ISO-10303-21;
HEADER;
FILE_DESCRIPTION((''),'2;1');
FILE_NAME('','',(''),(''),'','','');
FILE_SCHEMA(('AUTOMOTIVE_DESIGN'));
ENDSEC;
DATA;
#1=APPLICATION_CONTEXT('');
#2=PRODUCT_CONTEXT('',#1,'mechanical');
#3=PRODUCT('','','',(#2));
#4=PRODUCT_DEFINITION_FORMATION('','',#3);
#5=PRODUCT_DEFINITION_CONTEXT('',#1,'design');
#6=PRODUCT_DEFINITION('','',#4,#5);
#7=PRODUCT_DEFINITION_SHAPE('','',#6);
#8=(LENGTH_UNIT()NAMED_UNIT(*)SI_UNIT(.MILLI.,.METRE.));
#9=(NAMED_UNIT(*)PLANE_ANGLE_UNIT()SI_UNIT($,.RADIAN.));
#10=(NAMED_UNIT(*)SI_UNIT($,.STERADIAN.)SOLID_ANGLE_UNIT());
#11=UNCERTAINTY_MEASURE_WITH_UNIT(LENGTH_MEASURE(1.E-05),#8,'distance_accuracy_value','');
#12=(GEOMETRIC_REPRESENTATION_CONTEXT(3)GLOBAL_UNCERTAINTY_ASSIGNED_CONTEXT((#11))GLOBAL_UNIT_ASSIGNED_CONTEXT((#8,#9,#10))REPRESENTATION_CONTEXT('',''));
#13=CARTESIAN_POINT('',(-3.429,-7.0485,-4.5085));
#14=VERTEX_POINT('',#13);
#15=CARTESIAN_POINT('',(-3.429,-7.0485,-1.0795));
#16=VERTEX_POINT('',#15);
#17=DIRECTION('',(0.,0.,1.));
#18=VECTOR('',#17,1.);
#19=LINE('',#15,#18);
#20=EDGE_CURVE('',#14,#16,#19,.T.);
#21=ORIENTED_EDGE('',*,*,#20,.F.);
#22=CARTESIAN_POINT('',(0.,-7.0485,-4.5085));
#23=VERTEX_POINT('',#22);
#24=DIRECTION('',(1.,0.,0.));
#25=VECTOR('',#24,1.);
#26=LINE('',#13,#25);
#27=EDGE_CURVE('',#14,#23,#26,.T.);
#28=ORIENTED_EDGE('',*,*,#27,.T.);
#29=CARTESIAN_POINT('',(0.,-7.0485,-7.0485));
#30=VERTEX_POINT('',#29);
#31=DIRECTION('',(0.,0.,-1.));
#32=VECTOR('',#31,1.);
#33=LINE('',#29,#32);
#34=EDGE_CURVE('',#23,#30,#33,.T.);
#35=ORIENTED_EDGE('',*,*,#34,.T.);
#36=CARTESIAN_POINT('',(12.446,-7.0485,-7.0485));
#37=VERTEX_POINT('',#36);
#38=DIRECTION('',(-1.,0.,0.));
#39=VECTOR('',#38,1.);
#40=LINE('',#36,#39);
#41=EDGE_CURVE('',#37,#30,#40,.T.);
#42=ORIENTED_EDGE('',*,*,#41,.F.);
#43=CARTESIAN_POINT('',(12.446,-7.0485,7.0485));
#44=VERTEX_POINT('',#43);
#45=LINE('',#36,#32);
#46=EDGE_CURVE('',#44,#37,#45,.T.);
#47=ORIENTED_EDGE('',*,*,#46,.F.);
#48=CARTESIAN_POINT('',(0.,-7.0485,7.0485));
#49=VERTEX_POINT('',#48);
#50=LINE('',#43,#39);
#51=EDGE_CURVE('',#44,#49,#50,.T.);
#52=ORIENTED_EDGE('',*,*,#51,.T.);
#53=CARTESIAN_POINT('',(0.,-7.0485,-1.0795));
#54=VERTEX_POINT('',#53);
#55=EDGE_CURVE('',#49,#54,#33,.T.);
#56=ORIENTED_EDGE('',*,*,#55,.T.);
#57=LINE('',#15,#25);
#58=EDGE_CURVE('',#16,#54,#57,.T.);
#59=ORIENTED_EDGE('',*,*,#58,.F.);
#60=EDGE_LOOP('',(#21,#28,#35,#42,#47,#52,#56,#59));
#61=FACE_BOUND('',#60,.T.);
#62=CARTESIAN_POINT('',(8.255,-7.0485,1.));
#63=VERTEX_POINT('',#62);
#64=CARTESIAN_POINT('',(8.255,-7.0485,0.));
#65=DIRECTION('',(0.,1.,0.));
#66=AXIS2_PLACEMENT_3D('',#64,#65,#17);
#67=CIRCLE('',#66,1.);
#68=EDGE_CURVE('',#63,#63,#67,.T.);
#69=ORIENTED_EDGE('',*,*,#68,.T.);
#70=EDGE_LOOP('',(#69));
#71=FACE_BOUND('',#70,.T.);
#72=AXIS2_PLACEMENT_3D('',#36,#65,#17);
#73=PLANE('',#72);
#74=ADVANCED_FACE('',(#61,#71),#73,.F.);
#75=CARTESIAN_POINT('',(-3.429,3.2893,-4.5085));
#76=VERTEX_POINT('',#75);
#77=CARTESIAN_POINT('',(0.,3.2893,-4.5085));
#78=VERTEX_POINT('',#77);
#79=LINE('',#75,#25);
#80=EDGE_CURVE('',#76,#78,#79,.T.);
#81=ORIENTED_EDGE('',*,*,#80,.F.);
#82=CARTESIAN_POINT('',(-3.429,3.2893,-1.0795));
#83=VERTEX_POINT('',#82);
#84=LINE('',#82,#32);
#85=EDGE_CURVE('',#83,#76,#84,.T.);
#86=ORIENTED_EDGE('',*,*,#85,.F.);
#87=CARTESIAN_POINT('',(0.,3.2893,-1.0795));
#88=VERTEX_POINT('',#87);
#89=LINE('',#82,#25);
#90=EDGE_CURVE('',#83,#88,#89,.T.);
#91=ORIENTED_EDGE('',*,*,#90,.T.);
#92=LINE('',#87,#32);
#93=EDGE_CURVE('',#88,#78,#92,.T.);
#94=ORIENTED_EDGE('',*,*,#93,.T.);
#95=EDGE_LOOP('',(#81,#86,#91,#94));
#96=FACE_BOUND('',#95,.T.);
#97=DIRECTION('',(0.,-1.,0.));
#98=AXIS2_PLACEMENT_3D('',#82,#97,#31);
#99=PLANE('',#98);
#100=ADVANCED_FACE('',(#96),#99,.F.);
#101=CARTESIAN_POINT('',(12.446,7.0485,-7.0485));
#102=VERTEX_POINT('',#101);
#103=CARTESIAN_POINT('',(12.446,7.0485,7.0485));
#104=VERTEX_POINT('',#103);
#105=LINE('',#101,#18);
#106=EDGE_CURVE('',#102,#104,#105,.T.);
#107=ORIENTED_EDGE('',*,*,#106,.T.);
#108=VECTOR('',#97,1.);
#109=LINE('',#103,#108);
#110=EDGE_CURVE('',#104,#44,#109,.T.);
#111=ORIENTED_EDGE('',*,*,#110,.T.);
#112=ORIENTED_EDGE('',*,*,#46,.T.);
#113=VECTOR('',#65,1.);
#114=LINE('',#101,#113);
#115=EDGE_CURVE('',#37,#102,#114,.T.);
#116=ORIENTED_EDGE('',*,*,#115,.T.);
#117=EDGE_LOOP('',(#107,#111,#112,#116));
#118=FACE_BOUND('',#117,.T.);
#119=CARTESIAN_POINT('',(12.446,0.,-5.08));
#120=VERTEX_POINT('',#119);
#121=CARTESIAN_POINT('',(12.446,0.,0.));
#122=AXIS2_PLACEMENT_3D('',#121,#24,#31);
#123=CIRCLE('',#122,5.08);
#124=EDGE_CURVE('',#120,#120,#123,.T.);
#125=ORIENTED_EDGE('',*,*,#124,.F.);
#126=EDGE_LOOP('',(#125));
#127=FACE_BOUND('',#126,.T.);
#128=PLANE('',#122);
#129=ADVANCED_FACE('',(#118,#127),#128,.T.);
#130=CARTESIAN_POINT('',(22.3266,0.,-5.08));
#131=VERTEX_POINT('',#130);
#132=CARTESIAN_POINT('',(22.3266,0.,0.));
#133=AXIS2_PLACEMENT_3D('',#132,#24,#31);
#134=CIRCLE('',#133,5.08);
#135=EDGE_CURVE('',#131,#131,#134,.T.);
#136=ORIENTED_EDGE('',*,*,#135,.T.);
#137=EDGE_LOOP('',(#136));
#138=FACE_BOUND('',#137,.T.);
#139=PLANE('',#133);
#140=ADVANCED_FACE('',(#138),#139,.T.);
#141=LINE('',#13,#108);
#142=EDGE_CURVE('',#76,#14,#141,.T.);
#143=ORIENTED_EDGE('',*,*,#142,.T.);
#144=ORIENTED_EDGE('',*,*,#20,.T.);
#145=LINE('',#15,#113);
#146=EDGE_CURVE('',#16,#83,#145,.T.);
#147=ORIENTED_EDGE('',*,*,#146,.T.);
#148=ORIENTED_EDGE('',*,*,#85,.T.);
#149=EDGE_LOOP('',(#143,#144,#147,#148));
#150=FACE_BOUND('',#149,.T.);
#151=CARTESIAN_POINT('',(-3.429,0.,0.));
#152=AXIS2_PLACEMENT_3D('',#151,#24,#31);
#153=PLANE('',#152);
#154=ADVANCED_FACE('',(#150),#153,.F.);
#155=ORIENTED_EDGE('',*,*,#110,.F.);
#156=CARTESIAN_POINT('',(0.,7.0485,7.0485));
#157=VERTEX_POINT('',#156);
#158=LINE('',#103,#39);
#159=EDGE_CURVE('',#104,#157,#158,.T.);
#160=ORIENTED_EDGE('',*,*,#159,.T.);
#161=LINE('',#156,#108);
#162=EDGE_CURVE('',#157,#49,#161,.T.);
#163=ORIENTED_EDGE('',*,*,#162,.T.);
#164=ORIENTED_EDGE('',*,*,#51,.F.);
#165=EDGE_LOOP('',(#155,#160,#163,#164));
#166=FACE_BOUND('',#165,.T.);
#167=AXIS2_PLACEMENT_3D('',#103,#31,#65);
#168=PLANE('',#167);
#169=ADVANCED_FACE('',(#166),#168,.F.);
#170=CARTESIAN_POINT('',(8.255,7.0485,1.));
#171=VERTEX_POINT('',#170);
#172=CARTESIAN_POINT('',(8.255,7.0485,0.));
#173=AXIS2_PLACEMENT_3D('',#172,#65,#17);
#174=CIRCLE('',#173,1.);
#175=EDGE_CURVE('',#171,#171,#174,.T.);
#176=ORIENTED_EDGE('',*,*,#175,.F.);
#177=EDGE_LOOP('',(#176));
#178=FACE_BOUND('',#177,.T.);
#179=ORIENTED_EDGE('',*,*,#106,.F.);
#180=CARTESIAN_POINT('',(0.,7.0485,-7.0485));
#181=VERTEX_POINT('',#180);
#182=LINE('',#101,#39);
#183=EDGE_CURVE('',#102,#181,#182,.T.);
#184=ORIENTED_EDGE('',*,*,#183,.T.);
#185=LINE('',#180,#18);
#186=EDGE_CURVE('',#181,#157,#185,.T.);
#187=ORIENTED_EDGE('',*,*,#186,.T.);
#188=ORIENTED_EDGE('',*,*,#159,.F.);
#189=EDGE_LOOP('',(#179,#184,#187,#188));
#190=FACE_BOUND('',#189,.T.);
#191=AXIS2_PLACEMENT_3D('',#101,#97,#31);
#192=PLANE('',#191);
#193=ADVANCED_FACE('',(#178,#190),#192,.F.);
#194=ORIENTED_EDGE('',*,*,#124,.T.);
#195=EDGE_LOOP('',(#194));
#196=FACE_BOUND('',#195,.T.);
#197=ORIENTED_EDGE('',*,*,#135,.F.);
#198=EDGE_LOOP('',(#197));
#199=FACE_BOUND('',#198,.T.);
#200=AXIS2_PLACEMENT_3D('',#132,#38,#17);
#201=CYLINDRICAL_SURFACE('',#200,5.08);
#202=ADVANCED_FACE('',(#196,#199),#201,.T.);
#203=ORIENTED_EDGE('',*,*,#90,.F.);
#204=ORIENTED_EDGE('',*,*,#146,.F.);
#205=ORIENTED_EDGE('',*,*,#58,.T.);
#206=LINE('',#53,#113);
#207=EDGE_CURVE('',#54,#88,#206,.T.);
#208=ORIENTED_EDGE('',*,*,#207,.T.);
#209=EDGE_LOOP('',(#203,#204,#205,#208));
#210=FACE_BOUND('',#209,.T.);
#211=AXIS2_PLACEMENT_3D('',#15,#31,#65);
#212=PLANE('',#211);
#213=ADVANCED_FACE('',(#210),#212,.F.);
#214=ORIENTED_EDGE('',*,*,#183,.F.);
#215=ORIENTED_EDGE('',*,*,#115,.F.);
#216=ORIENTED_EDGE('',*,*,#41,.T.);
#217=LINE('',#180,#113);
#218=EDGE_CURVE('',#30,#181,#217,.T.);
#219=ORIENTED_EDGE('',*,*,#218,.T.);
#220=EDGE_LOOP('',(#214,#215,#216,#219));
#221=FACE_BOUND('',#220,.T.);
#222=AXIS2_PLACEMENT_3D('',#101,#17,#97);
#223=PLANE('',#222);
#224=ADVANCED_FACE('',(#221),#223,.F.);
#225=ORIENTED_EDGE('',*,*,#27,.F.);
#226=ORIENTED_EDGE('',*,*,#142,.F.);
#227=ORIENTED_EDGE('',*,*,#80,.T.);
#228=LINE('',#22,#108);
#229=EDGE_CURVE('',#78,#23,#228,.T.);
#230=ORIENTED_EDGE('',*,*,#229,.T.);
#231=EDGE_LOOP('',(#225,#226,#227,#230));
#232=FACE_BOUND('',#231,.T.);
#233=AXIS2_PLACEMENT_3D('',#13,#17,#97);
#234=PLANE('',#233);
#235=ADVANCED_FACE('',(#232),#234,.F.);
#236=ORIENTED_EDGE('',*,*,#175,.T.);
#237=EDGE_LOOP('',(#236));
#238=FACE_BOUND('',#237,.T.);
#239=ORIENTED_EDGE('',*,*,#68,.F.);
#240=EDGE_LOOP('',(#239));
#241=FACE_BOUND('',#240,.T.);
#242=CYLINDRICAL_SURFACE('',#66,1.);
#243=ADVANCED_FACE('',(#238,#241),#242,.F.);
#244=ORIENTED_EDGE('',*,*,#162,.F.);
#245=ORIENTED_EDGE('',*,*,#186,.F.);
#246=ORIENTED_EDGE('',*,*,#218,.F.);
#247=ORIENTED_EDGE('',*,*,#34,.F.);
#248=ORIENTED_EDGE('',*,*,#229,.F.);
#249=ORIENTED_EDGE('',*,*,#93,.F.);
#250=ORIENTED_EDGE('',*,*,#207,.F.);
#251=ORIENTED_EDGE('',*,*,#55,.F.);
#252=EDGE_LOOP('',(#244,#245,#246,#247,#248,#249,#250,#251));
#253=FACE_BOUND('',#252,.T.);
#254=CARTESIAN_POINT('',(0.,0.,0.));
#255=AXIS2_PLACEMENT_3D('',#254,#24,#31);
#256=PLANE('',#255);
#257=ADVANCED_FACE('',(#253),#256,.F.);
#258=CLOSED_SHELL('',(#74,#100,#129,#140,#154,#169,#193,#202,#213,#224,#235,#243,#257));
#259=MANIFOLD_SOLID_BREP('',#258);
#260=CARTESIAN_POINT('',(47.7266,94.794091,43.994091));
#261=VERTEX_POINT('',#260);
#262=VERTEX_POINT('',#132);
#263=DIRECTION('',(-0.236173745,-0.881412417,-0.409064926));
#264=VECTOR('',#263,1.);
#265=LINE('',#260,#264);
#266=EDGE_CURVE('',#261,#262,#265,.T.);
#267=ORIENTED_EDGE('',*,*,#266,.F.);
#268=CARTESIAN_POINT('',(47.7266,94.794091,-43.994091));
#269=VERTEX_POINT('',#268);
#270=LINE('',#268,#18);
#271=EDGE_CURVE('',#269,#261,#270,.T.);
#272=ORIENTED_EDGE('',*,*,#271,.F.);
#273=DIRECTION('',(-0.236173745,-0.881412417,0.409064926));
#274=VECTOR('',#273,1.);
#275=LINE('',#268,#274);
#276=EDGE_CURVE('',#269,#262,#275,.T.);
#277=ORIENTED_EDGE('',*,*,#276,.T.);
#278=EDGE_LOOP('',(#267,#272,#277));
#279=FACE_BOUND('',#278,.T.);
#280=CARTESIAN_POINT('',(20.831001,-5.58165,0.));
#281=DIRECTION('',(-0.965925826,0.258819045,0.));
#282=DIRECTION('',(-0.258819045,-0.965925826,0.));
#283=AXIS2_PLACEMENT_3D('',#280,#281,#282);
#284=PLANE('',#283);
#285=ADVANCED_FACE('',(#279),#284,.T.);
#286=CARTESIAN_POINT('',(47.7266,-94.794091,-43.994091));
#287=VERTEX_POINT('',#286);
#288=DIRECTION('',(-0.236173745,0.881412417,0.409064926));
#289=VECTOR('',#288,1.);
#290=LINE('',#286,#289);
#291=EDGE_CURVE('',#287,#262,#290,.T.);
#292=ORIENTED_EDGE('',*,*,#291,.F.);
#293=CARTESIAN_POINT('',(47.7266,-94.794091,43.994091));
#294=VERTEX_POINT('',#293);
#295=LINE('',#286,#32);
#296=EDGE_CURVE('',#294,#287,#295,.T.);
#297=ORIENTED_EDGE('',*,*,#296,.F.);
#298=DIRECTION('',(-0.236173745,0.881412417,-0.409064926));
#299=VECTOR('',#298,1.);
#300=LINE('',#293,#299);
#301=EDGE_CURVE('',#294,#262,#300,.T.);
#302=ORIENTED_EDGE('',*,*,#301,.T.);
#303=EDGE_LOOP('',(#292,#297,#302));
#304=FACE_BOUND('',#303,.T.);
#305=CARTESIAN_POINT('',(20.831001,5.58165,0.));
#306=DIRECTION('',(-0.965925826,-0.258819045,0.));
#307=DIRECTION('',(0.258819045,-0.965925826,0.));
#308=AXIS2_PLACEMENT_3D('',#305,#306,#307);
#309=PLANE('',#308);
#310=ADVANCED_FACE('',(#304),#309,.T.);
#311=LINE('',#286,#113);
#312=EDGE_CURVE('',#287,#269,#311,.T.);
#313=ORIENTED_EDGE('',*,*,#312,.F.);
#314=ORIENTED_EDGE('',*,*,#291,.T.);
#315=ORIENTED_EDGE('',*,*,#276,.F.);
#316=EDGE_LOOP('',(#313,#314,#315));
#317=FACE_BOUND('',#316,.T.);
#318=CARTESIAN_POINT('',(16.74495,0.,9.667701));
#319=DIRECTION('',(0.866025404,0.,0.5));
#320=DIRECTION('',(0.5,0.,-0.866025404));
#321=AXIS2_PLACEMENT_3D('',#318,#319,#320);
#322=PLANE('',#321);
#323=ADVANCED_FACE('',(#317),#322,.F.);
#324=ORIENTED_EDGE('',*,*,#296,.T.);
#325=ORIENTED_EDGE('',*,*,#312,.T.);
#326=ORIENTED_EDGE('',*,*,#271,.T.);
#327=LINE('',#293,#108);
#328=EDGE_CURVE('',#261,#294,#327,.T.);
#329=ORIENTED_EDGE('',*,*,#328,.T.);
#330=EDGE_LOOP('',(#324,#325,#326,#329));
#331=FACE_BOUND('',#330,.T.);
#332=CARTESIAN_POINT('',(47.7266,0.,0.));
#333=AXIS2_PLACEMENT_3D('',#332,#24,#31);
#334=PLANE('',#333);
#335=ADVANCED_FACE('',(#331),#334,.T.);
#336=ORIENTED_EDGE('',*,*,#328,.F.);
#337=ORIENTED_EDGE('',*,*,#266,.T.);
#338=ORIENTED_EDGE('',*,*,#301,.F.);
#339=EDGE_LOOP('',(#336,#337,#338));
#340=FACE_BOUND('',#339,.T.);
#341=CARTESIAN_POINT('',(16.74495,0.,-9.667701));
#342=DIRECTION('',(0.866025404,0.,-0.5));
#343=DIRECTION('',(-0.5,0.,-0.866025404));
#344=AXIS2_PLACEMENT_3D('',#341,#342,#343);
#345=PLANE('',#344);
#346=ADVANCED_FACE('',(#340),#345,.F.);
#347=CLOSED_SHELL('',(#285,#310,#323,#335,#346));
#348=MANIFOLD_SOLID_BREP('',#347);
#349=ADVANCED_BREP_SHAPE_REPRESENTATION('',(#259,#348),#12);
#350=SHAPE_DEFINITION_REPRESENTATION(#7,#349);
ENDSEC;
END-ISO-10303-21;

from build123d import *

# Parameters (mm, degrees)
SKETCH1_W               = 14.097
SKETCH1_H               = 14.097
BOSS_EXTRUDE1_DEPTH     = 12.446
SKETCH2_R               = 5.08
BOSS_EXTRUDE2_DEPTH     = 9.8806
CUT_EXTRUDE1_DEPTH      = 25.450762198
CUT_EXTRUDE1_DEPTH_BACK = 25.450762198
SKETCH3_R               = 1
SKETCH4_W               = 10.3378
SKETCH4_H               = 3.429
BOSS_EXTRUDE3_DEPTH     = 3.429


with BuildPart() as part:
    # Sketch1 → Boss-Extrude1 (new body)
    with BuildSketch(Plane.YZ):
        Rectangle(SKETCH1_W, SKETCH1_H)
    extrude(amount=BOSS_EXTRUDE1_DEPTH)

    # Sketch2 → Boss-Extrude2 (add)
    with BuildSketch(Plane.YZ.offset(12.446)):
        with Locations(Location((0, 0, 0), (0, 0, 270))):
            Circle(SKETCH2_R)
    extrude(amount=BOSS_EXTRUDE2_DEPTH)

    # Sketch3 → Cut-Extrude1 (cut, two sides: drawn at the far end of the back side and taken through both)
    with BuildSketch(Plane(origin=(0, 0, 0), x_dir=(-1, 0, 0), z_dir=(0, 1, 0)).offset(-CUT_EXTRUDE1_DEPTH_BACK)):
        with Locations(Location((-8.255, 0, 0), (0, 0, 90))):
            Circle(SKETCH3_R)
    extrude(amount=CUT_EXTRUDE1_DEPTH + CUT_EXTRUDE1_DEPTH_BACK, mode=Mode.SUBTRACT)

    # Sketch4 → Boss-Extrude3 (add)
    with BuildSketch(Plane(origin=(0, 0, 0), x_dir=(0, -1, 0), z_dir=(-1, 0, 0))):
        with Locations((1.8796, -2.794)):
            Rectangle(SKETCH4_W, SKETCH4_H)
    extrude(amount=BOSS_EXTRUDE3_DEPTH)


with BuildPart() as body_2:
    # Sketch8 → FOV section 0
    with BuildSketch(Plane(origin=(47.7266, 0, 0), x_dir=(0, 0, -1), z_dir=(1, 0, 0)), mode=Mode.PRIVATE) as fov_s0:
        with BuildLine():
            Line((43.994090512, -94.794090512), (-43.994090512, -94.794090512))
            Line((-43.994090512, -94.794090512), (-43.994090512, 94.794090512))
            Line((-43.994090512, 94.794090512), (43.994090512, 94.794090512))
            Line((43.994090512, 94.794090512), (43.994090512, -94.794090512))
        make_face()
    loft([fov_s0.sketch, Vertex(22.3266, 0, 0)])


solid = Compound([part.part, body_2.part])
